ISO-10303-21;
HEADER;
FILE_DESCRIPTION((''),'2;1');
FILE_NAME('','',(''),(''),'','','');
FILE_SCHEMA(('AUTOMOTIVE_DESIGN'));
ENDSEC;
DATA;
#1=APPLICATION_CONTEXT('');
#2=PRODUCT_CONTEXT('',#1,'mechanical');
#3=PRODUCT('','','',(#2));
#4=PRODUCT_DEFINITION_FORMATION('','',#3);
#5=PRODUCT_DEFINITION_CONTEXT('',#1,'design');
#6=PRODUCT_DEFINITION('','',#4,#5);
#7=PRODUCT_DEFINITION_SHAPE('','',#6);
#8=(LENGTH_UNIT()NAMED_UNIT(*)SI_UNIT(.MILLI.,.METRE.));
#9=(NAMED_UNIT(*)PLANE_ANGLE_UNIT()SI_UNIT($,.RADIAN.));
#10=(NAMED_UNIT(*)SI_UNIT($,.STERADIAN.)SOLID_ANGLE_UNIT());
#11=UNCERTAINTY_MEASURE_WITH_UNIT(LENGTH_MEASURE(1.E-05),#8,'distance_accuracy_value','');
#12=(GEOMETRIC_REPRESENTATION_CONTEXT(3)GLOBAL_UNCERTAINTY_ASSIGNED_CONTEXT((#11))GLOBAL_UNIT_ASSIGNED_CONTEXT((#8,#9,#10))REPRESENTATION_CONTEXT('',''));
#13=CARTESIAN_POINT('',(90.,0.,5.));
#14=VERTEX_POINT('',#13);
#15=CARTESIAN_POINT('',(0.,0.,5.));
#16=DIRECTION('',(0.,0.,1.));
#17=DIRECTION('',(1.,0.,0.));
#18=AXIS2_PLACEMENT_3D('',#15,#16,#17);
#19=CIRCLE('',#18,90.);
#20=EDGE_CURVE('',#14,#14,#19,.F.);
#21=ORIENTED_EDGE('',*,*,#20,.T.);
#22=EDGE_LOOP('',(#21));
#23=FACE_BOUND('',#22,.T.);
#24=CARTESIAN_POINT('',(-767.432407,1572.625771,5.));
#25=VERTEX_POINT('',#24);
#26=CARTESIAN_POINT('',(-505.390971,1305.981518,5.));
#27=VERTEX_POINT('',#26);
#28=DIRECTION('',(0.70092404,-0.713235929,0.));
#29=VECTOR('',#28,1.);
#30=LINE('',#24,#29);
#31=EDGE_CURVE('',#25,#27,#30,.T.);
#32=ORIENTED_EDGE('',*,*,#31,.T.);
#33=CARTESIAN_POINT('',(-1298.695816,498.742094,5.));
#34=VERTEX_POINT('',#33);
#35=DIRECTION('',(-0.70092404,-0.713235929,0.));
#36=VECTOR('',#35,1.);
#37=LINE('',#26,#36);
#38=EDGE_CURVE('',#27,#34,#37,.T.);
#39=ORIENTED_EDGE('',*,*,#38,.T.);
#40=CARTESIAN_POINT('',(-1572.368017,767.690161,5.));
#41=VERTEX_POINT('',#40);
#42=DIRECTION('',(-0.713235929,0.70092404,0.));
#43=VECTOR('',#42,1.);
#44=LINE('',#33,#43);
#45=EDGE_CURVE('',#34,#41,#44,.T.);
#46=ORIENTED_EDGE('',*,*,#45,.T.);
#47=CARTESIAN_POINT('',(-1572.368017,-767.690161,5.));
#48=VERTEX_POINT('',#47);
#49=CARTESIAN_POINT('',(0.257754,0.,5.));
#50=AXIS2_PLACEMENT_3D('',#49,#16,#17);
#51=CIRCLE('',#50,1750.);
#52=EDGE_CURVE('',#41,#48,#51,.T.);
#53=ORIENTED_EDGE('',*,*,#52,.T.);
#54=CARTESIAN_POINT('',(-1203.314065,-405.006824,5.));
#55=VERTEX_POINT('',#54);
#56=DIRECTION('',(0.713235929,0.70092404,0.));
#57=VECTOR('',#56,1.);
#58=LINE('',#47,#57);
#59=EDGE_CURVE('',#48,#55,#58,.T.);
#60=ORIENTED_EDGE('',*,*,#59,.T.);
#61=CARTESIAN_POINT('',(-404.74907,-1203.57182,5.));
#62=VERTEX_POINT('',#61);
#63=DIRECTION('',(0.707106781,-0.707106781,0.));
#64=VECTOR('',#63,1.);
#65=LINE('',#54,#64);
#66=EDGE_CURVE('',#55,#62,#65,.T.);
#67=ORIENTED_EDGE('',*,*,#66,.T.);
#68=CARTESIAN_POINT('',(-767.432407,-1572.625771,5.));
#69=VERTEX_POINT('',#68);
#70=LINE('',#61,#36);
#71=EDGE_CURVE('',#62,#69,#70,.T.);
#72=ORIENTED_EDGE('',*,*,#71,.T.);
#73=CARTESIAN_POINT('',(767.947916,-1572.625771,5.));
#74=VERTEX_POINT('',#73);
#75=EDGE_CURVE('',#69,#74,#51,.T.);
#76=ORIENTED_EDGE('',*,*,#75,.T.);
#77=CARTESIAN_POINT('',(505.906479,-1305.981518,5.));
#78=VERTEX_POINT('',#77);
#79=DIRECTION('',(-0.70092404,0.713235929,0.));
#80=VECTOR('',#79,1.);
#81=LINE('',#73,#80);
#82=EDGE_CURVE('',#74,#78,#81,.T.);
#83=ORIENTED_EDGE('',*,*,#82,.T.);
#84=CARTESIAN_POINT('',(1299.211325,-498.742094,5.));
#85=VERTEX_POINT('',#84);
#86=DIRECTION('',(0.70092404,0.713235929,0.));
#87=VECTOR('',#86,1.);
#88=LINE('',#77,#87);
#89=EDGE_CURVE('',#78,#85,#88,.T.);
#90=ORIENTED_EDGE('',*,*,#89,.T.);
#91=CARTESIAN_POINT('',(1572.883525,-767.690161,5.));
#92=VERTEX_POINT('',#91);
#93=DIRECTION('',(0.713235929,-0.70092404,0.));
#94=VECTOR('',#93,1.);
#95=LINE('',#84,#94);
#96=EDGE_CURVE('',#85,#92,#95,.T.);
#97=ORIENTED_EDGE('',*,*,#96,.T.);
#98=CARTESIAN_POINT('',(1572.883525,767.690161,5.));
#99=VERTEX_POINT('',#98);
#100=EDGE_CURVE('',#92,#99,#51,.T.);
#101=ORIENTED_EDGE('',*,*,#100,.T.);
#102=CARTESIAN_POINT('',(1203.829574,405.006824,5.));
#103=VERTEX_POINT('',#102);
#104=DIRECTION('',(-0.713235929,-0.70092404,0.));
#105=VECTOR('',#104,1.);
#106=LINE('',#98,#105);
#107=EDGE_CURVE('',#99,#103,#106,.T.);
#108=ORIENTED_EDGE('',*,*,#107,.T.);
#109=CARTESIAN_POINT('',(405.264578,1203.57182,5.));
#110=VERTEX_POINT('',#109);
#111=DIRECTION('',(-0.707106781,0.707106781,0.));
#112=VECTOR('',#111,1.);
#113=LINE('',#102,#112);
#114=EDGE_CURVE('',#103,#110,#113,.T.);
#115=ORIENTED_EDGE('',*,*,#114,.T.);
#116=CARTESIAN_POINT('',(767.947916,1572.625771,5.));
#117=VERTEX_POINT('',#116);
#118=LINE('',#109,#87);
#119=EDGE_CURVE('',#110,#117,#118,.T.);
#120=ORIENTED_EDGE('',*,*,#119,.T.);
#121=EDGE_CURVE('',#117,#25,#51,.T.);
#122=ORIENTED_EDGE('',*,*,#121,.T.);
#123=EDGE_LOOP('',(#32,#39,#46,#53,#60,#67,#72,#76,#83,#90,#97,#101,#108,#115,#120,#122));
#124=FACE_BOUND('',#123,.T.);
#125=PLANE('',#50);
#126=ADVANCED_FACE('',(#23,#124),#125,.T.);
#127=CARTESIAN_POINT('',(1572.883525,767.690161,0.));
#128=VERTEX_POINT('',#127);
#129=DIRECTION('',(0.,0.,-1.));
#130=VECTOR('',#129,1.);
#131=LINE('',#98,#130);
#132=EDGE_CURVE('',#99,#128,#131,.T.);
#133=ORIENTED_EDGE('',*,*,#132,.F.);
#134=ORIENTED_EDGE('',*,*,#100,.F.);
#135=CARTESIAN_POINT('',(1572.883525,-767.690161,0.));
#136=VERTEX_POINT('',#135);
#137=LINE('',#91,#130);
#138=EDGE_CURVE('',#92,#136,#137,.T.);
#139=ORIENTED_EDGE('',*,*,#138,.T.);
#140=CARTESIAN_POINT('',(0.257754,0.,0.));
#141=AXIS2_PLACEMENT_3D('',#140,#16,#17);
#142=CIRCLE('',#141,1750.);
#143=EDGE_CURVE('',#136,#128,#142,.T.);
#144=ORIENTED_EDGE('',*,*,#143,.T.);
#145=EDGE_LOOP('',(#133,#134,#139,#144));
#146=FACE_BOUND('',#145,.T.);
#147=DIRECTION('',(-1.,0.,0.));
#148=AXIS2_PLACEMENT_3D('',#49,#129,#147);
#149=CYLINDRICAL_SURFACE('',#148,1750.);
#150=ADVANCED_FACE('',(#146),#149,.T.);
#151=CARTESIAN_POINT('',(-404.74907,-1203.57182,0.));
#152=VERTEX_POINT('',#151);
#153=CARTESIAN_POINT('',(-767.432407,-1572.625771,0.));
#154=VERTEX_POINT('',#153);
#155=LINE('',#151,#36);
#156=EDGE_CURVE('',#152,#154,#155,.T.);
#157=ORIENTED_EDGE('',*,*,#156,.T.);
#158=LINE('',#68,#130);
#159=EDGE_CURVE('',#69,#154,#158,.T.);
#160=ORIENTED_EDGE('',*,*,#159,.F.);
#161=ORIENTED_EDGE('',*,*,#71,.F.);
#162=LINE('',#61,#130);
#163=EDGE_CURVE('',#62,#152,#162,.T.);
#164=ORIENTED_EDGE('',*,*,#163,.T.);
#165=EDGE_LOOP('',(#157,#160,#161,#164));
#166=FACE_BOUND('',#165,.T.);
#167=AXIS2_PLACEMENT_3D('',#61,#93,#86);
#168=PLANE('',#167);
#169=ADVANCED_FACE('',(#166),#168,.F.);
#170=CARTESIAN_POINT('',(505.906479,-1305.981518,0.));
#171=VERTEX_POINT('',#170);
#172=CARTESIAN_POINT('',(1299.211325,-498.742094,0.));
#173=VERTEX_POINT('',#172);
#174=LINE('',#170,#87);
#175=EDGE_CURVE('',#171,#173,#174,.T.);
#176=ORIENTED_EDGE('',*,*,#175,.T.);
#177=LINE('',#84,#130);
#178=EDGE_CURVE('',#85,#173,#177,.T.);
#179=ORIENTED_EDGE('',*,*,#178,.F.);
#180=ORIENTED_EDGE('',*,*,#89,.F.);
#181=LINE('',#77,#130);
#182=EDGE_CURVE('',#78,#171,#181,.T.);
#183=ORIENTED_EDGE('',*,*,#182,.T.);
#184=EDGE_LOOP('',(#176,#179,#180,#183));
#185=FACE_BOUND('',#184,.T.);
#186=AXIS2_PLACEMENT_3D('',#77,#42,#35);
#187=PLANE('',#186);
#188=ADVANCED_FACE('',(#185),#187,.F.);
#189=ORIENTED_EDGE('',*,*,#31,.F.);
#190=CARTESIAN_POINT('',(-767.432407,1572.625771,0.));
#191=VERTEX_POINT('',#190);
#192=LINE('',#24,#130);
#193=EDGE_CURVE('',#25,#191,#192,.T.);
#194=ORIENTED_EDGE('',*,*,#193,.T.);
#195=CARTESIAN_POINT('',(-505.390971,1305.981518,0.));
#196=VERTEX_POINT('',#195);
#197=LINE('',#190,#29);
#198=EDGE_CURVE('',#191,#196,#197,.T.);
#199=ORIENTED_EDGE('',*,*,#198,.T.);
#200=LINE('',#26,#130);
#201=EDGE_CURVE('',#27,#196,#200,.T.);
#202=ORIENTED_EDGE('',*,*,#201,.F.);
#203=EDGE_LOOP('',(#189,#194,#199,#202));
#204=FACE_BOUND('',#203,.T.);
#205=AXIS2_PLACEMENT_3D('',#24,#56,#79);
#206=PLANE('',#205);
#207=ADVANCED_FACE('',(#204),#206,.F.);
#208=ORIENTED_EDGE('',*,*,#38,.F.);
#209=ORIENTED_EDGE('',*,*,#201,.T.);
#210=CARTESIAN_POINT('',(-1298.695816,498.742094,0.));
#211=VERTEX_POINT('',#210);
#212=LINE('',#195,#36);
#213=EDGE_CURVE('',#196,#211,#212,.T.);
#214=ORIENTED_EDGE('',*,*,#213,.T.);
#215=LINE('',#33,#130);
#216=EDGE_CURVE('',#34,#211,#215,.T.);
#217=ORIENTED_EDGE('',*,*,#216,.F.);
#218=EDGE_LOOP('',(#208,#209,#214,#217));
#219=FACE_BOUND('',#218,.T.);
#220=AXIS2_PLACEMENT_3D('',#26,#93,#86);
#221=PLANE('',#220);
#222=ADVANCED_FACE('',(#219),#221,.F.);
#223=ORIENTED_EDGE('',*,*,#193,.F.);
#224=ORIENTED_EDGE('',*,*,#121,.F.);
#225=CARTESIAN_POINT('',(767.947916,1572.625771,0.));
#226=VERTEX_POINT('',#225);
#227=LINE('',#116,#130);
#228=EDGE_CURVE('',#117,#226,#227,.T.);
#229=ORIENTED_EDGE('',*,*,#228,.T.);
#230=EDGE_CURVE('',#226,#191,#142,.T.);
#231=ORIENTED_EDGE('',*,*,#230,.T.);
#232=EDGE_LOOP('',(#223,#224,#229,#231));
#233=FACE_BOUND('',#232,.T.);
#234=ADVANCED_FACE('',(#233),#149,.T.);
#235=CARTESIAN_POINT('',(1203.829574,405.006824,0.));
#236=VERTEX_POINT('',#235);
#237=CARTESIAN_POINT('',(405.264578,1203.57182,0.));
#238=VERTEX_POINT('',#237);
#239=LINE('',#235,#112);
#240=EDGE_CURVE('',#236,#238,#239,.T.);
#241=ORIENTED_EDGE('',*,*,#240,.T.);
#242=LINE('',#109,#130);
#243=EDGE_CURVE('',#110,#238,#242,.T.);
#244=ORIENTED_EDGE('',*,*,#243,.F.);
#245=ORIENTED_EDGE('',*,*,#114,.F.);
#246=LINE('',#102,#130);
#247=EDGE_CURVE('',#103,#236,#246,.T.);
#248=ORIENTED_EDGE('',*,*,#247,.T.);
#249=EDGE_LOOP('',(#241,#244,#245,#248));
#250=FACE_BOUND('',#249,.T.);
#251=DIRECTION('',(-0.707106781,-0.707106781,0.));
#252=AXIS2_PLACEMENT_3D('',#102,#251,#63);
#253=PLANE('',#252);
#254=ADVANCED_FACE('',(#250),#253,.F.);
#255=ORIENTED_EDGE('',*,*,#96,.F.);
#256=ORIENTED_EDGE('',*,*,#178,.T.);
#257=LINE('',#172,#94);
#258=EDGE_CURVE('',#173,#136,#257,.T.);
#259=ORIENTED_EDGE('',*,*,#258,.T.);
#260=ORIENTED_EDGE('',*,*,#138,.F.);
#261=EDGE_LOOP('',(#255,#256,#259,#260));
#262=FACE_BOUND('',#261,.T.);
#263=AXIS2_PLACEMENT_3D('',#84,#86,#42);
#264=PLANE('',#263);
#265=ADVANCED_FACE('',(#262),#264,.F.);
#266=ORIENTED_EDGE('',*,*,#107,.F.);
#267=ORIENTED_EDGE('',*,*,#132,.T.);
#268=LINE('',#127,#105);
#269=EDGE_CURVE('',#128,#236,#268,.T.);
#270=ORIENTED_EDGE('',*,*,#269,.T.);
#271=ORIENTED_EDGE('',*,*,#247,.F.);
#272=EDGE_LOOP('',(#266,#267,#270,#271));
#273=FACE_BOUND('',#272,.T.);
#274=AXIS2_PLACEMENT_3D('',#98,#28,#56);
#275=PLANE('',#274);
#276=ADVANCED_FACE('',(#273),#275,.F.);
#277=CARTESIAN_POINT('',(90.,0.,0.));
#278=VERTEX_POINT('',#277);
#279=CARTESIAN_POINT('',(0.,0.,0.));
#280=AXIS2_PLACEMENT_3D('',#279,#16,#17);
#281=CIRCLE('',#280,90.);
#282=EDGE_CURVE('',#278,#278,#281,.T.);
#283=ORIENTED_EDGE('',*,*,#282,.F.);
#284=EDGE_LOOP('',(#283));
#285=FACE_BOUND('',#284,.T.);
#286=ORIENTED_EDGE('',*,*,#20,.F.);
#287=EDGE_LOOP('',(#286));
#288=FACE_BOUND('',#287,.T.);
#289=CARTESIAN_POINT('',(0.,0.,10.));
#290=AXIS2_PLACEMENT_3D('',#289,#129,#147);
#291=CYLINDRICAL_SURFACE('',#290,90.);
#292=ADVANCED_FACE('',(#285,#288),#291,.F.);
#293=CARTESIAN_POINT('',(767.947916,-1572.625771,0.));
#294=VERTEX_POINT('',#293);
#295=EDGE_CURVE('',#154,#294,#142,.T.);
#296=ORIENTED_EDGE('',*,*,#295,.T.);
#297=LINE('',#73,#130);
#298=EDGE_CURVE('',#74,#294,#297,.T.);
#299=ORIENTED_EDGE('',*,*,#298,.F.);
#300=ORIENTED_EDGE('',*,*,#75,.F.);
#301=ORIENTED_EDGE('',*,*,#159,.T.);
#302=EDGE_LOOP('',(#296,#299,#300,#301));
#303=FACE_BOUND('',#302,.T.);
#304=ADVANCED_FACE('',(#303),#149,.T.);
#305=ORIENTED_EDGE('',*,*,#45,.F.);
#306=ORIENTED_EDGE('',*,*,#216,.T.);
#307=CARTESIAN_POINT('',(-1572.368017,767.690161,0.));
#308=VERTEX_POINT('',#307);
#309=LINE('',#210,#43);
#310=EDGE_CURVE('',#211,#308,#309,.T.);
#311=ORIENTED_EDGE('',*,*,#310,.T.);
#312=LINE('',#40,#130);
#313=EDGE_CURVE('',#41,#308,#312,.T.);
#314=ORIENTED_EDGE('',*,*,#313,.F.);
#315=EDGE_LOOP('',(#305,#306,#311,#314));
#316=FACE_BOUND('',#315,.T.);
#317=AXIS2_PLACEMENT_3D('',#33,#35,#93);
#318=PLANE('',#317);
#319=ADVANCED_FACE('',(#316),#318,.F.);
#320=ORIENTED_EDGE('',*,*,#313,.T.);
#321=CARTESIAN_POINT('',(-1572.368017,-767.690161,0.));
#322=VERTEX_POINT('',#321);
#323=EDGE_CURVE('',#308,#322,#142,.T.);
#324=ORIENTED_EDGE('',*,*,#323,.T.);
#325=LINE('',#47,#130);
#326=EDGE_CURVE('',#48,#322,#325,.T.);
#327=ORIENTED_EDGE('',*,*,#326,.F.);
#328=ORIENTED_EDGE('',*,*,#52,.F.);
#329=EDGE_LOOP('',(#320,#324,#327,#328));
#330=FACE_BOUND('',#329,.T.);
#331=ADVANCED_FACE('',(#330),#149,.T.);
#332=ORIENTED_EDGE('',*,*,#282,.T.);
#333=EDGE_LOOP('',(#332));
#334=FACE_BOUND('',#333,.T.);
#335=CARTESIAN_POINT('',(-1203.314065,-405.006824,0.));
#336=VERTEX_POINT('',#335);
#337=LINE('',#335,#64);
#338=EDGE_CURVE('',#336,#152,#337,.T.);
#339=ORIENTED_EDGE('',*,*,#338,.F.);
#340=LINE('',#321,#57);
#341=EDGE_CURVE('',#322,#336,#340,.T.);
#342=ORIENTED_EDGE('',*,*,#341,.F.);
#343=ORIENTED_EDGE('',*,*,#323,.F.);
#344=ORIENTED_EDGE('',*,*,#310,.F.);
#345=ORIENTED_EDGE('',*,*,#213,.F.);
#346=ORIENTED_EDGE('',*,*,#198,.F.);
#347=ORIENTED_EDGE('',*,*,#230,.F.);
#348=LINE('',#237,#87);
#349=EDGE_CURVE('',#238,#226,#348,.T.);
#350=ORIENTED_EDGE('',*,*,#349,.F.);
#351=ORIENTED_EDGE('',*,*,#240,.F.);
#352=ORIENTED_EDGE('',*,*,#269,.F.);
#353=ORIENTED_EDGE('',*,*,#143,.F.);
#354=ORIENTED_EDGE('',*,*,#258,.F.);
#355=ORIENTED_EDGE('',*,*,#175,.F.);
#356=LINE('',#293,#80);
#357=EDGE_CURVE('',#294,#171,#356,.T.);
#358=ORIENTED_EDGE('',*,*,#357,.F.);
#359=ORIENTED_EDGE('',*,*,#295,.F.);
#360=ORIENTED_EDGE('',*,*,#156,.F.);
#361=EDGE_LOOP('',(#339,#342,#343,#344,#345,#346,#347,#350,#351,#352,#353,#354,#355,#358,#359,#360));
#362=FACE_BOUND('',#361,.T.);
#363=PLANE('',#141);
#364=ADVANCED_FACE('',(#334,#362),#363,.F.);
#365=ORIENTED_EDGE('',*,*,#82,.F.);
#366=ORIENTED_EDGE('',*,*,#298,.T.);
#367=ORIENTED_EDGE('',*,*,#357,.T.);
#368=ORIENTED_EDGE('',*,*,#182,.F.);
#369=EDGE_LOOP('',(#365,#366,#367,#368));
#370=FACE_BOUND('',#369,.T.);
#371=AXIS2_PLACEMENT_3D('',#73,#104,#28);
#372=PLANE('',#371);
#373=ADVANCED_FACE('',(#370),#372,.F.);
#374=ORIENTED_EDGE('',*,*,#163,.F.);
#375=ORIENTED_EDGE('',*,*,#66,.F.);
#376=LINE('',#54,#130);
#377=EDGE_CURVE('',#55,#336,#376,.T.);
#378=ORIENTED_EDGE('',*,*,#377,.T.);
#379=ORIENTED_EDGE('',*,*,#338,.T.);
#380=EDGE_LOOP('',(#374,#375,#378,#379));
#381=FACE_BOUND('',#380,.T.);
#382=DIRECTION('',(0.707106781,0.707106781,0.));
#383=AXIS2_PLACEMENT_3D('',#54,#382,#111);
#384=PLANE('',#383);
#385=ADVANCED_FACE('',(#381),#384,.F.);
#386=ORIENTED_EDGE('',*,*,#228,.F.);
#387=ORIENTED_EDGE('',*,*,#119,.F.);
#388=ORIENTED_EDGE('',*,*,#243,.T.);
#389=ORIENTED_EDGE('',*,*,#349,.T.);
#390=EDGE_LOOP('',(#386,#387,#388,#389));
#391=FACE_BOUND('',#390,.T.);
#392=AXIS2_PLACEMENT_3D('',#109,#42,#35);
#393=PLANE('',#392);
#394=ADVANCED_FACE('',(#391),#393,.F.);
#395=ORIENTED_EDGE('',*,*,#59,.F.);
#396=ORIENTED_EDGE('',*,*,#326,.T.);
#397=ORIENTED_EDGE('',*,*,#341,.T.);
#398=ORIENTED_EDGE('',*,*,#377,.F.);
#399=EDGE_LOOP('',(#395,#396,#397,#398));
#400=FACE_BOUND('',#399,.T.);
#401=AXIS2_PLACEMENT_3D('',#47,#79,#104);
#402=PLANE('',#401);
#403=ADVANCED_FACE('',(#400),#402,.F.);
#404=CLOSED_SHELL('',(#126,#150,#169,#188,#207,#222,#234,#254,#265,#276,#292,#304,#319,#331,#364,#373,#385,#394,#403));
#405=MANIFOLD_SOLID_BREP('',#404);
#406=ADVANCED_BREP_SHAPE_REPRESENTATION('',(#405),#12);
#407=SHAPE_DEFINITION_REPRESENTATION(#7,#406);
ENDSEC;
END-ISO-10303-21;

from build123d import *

# Parameters (mm, degrees)
BOSS_EXTRUDE1_DEPTH = 5
SKETCH3_R           = 90
CUT_EXTRUDE3_DEPTH  = 10


with BuildPart() as part:
    # Sketch2 → Boss-Extrude1 (new body)
    with BuildSketch(Plane.XY):
        with BuildLine():
            Line((767.947915583, -1572.625771149), (505.906479137, -1305.981517926))
            Line((505.906479137, -1305.981517926), (1299.211324809, -498.742094189))
            Line((1299.211324809, -498.742094189), (1572.883525326, -767.690161406))
            ThreePointArc((1572.883525326, -767.690161406), (1750.257754177, 0), (1572.883525326, 767.690161406))
            Line((1572.883525326, 767.690161406), (1203.829573729, 405.006824211))
            Line((1203.829573729, 405.006824211), (405.264578388, 1203.571819552))
            Line((405.264578388, 1203.571819552), (767.947915583, 1572.625771149))
            ThreePointArc((767.947915583, 1572.625771149), (0.257754177, 1750), (-767.432407229, 1572.625771149))
            Line((-767.432407229, 1572.625771149), (-505.390970783, 1305.981517926))
            Line((-505.390970783, 1305.981517926), (-1298.695816455, 498.742094189))
            Line((-1298.695816455, 498.742094189), (-1572.368016972, 767.690161406))
            ThreePointArc((-1572.368016972, 767.690161406), (-1749.742245823, 0), (-1572.368016972, -767.690161406))
            Line((-1572.368016972, -767.690161406), (-1203.314065375, -405.006824211))
            Line((-1203.314065375, -405.006824211), (-404.749070034, -1203.571819552))
            Line((-404.749070034, -1203.571819552), (-767.432407229, -1572.625771149))
            ThreePointArc((-767.432407229, -1572.625771149), (0.257754177, -1750), (767.947915583, -1572.625771149))
        make_face()
    extrude(amount=BOSS_EXTRUDE1_DEPTH)

    # Sketch3 → Cut-Extrude3 (cut)
    with BuildSketch(Plane.XY):
        Circle(SKETCH3_R)
    extrude(amount=CUT_EXTRUDE3_DEPTH, mode=Mode.SUBTRACT)


solid = part.part
